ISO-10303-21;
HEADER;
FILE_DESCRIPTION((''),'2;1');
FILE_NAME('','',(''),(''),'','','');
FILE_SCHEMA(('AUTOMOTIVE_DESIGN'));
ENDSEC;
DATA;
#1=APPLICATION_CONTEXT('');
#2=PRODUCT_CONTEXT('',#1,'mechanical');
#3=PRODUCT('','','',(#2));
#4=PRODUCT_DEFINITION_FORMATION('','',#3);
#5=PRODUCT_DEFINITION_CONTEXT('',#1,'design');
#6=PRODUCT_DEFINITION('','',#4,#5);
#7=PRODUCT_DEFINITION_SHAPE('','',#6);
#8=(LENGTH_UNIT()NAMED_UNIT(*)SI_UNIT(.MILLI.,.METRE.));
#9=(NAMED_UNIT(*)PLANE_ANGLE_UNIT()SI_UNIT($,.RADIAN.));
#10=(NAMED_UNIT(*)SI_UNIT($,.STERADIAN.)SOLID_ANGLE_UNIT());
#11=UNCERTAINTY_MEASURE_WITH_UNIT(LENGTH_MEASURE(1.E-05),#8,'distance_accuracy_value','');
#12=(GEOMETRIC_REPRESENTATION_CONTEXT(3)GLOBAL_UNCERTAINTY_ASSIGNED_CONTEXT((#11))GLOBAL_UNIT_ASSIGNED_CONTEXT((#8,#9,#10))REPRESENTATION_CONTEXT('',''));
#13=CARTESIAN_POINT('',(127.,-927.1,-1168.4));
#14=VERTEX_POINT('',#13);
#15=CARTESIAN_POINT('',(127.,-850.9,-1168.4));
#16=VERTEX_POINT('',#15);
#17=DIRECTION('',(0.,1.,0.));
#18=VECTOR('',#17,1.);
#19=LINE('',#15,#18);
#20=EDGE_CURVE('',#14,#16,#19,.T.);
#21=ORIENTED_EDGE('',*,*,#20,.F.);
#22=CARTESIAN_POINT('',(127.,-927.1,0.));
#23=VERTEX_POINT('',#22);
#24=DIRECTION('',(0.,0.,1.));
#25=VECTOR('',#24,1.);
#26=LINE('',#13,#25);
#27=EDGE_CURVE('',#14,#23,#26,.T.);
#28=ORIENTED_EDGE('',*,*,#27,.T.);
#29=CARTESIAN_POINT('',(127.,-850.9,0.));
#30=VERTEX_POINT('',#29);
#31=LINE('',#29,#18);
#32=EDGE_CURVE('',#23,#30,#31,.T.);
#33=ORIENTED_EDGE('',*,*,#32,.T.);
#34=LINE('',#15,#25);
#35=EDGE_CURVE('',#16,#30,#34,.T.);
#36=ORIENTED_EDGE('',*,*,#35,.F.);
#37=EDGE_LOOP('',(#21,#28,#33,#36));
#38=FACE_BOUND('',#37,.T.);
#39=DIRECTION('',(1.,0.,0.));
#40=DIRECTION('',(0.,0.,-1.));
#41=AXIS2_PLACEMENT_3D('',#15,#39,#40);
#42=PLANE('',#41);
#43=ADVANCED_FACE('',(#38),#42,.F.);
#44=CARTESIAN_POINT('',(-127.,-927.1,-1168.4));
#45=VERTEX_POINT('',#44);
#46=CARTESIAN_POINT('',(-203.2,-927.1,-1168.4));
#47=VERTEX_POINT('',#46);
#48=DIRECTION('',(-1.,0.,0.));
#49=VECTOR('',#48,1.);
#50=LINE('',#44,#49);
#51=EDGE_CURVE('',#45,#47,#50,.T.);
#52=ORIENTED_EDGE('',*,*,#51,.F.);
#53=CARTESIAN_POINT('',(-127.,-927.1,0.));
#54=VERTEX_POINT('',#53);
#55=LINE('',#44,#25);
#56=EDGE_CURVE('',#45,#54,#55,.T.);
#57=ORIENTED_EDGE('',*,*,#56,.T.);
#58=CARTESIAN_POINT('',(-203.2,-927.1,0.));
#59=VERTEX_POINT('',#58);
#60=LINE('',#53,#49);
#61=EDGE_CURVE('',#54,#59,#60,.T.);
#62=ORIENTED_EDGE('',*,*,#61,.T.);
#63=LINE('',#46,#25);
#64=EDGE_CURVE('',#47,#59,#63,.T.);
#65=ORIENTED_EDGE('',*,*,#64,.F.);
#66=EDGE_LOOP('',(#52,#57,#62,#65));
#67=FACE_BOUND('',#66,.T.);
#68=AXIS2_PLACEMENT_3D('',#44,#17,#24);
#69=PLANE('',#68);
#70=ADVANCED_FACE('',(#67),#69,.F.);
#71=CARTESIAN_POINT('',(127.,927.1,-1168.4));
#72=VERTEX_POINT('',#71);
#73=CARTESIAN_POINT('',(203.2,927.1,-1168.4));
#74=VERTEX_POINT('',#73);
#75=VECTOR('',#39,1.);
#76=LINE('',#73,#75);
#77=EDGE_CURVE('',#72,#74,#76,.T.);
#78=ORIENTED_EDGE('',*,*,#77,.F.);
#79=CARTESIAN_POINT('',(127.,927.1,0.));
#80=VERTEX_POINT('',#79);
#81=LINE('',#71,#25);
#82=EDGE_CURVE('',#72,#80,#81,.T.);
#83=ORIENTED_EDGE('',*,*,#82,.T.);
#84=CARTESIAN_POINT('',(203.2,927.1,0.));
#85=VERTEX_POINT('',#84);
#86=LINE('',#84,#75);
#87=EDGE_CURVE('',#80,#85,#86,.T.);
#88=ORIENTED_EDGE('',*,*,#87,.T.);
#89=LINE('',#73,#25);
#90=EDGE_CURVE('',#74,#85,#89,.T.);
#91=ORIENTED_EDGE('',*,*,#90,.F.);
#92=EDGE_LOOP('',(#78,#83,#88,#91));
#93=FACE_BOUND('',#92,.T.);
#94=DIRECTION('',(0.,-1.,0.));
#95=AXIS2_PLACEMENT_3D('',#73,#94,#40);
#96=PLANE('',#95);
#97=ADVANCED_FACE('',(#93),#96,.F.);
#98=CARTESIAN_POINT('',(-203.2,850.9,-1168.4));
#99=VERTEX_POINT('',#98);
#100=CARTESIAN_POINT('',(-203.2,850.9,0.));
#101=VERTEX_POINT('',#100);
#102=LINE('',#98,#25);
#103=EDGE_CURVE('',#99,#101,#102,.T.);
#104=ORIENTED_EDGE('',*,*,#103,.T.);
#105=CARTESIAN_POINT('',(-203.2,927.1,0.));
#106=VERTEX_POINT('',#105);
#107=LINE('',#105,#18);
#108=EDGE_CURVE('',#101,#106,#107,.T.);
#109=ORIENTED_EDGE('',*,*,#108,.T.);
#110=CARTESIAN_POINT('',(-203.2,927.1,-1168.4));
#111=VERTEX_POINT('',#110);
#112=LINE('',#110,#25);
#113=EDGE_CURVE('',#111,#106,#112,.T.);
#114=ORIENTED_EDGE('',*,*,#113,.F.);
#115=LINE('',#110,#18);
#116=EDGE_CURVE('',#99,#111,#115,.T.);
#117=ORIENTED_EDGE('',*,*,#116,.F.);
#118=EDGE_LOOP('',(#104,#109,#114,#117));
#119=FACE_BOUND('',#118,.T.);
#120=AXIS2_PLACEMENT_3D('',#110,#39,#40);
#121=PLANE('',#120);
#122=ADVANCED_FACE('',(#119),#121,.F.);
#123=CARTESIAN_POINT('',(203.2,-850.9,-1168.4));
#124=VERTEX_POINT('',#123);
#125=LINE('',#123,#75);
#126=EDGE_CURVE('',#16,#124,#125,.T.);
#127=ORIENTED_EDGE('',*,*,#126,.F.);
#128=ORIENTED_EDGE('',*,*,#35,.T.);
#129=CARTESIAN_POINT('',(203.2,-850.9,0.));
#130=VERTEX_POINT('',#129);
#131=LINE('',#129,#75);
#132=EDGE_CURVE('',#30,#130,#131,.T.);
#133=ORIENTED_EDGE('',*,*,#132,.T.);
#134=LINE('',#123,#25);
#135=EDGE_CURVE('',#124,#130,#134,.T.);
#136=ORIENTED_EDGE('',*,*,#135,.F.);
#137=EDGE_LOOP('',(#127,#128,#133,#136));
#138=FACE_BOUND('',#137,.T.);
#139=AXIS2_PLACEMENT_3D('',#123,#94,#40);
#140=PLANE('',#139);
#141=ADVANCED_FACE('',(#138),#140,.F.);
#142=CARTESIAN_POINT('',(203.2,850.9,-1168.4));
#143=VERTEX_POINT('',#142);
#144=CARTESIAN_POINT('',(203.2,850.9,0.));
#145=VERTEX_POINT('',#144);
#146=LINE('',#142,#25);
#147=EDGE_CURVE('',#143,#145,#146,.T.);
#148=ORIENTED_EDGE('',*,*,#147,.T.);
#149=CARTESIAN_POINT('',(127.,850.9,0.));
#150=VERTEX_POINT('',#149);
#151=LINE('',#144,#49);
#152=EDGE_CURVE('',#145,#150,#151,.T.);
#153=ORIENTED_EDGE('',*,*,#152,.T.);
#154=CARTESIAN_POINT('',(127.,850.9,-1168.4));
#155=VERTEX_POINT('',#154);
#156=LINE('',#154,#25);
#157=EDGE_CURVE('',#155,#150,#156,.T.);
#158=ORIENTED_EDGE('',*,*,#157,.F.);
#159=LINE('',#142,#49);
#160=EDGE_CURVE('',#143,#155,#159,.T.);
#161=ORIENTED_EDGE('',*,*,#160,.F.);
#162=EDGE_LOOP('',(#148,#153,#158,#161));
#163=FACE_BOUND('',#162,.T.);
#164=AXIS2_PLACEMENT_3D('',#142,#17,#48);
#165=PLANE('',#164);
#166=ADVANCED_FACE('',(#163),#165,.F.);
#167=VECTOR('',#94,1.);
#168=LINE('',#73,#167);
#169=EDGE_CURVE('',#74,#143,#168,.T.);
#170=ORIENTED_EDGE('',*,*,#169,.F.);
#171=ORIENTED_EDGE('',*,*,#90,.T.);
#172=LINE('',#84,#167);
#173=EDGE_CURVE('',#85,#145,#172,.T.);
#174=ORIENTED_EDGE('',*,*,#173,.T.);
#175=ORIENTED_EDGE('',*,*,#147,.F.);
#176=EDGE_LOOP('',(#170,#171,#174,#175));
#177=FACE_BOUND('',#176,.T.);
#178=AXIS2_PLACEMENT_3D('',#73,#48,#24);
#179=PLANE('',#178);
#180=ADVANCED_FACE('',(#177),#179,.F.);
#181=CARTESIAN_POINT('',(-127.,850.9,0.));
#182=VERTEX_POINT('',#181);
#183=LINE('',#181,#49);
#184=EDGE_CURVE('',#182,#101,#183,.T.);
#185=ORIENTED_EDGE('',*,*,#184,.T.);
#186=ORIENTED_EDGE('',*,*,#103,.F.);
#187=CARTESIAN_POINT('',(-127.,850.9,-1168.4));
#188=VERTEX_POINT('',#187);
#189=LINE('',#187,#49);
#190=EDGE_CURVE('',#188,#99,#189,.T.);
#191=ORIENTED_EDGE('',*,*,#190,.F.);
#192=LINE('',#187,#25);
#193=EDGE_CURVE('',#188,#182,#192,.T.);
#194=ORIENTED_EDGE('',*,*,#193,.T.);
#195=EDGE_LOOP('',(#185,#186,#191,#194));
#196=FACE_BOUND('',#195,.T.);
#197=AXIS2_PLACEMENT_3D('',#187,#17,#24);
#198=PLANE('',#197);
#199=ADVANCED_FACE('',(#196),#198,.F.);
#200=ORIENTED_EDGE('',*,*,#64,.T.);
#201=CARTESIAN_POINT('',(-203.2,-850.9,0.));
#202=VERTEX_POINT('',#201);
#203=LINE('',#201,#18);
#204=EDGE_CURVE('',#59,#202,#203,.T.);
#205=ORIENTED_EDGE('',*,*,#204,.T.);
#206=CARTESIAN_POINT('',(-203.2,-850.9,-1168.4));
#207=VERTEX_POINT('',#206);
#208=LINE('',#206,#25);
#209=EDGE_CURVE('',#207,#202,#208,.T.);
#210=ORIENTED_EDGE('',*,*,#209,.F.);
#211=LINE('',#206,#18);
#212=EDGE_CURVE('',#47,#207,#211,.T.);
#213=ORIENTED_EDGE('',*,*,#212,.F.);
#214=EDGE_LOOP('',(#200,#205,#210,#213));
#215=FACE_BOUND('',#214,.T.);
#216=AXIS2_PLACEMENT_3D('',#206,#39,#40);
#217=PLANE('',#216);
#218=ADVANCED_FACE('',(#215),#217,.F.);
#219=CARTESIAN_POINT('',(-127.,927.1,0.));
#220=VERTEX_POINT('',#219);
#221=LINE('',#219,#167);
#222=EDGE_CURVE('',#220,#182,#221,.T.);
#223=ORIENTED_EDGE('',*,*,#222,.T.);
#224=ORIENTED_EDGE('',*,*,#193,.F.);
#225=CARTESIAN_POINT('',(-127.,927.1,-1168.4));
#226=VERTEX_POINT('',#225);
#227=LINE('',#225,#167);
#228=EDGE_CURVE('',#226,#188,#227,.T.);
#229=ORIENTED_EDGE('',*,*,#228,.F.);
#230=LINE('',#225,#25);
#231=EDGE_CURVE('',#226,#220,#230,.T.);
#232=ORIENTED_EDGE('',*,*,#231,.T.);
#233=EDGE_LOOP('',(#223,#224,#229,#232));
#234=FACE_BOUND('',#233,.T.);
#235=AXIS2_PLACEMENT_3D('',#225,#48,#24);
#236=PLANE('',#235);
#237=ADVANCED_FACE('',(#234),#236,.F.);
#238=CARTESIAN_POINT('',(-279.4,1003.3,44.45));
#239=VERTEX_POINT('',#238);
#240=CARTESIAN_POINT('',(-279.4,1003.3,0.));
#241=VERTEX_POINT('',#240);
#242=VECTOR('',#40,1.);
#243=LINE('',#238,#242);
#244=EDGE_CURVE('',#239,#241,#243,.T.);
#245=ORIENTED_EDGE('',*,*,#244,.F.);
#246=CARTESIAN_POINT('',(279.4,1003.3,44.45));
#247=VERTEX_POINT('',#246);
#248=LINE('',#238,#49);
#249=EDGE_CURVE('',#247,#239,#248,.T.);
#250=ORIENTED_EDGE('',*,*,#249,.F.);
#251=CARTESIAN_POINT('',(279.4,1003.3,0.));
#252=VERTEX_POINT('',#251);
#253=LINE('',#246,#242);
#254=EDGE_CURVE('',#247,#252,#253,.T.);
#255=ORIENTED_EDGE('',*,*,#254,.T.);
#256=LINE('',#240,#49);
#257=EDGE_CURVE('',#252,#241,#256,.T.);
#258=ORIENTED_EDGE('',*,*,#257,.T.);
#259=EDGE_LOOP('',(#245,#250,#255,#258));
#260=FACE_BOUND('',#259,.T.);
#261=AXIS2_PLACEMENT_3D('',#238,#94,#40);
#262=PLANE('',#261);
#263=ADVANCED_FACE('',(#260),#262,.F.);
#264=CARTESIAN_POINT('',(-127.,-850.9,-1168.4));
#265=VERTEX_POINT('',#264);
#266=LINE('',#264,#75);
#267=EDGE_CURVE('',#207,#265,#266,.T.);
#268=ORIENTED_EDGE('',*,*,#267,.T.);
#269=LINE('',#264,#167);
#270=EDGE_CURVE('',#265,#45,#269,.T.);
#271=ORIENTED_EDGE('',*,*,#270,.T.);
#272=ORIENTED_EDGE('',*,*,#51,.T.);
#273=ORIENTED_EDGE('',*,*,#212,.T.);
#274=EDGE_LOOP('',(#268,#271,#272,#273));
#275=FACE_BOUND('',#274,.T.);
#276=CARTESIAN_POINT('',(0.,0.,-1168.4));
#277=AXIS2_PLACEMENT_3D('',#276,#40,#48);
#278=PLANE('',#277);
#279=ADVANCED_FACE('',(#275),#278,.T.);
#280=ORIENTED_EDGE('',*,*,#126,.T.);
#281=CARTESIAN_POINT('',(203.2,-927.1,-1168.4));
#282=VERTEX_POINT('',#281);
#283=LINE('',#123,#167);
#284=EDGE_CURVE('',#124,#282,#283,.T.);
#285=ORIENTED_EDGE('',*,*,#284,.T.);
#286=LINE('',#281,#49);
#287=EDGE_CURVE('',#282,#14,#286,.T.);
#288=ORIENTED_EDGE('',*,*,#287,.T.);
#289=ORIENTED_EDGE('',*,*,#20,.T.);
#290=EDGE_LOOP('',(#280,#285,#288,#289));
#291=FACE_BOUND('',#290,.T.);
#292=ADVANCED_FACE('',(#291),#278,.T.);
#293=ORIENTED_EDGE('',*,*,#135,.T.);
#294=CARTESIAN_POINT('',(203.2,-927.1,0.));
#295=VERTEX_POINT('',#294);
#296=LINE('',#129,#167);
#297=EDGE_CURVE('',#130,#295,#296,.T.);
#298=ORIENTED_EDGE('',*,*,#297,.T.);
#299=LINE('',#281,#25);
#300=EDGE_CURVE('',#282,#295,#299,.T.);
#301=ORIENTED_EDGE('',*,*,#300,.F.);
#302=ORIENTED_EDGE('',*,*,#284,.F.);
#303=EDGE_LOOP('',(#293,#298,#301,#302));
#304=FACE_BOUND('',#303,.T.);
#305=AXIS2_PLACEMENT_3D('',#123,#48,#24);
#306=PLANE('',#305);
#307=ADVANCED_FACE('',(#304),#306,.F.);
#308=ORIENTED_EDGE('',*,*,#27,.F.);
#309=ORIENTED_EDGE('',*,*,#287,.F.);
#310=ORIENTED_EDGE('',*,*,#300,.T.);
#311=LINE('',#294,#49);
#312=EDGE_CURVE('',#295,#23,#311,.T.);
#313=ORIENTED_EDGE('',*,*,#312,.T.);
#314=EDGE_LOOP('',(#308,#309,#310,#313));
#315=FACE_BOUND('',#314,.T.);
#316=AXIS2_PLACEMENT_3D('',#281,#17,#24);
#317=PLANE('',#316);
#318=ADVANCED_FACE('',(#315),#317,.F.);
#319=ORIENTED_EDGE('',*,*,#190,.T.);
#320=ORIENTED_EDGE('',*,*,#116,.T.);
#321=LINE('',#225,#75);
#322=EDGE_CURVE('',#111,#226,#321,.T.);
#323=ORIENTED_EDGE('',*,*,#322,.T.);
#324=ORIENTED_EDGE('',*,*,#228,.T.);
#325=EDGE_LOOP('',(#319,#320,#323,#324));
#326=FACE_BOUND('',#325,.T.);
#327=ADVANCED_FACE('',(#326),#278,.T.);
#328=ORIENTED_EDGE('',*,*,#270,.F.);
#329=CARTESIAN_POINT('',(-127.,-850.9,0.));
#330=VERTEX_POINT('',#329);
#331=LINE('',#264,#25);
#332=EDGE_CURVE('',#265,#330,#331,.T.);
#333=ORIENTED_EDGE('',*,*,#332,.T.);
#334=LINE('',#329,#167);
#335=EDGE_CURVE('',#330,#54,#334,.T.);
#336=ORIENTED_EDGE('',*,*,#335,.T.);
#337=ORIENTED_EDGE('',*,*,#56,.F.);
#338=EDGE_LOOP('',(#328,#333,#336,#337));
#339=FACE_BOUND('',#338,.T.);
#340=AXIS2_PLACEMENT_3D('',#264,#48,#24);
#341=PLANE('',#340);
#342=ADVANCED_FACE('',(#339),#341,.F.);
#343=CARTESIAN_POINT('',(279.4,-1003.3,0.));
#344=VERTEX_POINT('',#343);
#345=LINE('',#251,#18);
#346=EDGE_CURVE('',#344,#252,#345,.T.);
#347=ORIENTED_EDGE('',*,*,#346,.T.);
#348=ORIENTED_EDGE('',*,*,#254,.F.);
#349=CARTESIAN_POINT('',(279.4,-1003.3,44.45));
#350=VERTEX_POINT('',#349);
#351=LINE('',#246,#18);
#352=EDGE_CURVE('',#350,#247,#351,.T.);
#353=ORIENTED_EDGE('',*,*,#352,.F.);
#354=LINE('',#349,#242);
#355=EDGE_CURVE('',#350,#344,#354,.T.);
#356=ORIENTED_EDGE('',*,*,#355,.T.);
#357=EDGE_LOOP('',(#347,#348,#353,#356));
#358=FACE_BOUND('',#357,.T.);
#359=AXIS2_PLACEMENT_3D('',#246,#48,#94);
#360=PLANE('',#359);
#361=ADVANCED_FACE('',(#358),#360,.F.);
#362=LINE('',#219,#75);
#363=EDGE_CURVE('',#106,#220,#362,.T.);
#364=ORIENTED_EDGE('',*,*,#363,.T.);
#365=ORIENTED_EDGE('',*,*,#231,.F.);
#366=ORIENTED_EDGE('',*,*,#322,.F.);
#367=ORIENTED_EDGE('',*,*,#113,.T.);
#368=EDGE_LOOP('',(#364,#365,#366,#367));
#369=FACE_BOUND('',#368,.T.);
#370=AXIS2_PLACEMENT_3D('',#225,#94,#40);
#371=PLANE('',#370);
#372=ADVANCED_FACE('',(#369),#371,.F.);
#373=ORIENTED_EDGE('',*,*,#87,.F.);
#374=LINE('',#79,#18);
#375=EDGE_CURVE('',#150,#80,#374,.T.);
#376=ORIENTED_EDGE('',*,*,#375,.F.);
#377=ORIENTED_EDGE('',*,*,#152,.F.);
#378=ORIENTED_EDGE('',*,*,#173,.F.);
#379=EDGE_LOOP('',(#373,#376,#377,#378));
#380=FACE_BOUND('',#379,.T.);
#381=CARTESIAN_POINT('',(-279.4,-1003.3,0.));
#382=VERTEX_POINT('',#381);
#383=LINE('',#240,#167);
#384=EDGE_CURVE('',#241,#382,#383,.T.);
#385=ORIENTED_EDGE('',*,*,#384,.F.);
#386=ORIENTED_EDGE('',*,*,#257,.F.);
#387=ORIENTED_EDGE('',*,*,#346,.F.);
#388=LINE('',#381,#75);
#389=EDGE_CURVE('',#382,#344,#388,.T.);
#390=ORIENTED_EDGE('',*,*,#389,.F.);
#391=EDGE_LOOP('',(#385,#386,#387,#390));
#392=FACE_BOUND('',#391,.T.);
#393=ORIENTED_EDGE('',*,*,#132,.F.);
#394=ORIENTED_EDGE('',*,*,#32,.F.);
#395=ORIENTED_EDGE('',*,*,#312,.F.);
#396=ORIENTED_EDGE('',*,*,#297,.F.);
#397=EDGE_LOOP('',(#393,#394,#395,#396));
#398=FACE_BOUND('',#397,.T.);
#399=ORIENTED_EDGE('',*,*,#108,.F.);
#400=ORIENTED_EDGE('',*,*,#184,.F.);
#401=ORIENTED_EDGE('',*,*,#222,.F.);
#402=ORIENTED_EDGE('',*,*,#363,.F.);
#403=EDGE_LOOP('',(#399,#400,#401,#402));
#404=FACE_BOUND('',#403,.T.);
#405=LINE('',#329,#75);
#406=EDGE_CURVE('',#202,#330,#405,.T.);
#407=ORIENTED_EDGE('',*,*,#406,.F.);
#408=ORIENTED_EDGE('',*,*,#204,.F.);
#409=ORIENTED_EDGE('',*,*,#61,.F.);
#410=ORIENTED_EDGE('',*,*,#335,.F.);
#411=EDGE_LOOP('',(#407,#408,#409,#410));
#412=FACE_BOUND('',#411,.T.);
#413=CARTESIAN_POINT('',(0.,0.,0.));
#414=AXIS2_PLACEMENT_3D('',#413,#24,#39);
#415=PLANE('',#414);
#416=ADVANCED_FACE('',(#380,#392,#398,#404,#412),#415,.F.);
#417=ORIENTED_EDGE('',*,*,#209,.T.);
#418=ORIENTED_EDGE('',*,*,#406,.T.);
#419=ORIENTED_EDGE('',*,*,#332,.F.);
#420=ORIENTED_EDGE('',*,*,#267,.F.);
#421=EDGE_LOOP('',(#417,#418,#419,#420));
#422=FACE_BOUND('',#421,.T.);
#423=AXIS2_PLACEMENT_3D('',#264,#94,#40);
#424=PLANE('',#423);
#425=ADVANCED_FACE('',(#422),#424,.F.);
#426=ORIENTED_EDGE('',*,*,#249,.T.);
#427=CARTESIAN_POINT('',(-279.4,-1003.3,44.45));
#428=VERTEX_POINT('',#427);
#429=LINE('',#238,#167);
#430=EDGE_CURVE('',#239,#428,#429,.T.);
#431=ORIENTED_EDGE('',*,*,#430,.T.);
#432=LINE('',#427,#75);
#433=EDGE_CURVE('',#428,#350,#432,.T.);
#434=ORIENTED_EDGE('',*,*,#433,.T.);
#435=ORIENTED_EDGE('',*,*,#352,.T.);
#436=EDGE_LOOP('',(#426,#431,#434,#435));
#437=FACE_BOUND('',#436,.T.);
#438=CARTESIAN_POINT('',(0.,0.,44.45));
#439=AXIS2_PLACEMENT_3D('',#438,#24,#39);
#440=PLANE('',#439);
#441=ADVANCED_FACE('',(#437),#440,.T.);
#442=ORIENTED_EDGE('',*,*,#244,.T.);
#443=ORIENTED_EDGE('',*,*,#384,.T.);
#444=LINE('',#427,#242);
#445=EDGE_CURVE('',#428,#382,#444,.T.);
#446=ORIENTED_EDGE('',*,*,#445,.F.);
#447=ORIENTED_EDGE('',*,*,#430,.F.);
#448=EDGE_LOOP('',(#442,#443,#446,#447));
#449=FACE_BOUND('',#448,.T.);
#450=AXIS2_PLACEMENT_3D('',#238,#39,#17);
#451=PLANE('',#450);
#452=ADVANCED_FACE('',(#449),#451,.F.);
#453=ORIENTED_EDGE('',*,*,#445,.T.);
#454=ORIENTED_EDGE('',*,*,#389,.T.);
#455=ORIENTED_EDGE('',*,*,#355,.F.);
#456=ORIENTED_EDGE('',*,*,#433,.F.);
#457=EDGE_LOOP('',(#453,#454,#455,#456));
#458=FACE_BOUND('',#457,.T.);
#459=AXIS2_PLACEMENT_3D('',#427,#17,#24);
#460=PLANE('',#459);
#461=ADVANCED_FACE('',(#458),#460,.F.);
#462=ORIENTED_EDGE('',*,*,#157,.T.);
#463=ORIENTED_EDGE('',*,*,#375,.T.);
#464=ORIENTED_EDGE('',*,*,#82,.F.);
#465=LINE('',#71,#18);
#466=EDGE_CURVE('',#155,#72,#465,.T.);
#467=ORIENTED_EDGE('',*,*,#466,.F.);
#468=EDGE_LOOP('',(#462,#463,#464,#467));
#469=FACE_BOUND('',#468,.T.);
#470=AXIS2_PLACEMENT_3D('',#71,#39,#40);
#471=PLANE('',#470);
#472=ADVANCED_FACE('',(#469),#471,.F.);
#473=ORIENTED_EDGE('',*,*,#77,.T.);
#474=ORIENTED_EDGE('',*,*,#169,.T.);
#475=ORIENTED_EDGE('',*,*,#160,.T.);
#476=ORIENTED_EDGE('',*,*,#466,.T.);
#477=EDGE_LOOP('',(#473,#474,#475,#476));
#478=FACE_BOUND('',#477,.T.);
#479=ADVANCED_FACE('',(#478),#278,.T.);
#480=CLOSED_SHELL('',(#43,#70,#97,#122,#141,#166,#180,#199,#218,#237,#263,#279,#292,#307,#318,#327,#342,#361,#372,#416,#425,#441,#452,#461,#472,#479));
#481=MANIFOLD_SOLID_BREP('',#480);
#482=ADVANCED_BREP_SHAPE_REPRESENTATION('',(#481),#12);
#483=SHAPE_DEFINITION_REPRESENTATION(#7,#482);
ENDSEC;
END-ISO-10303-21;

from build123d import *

# Parameters (mm, degrees)
SKETCH1_W           = 558.8
SKETCH1_H           = 2006.6
BOSS_EXTRUDE1_DEPTH = 44.45
SKETCH5_W           = 76.2
SKETCH5_H           = 76.2
BOSS_EXTRUDE2_DEPTH = 1168.4


with BuildPart() as part:
    # Sketch1 → Boss-Extrude1 (new body)
    with BuildSketch(Plane.XY):
        Rectangle(SKETCH1_W, SKETCH1_H)
    extrude(amount=BOSS_EXTRUDE1_DEPTH)

    # Sketch5 → Boss-Extrude2 (add)
    with BuildSketch(Plane(origin=(0, 0, 0), x_dir=(-1, 0, 0), z_dir=(0, 0, -1))):
        with Locations((-165.1, 889)):
            Rectangle(SKETCH5_W, SKETCH5_H)
        with Locations((165.1, 889)):
            Rectangle(SKETCH5_W, SKETCH5_H)
        with Locations((-165.1, -889)):
            Rectangle(SKETCH5_W, SKETCH5_H)
        with Locations((165.1, -889)):
            Rectangle(SKETCH5_W, SKETCH5_H)
    extrude(amount=BOSS_EXTRUDE2_DEPTH)


solid = part.part
